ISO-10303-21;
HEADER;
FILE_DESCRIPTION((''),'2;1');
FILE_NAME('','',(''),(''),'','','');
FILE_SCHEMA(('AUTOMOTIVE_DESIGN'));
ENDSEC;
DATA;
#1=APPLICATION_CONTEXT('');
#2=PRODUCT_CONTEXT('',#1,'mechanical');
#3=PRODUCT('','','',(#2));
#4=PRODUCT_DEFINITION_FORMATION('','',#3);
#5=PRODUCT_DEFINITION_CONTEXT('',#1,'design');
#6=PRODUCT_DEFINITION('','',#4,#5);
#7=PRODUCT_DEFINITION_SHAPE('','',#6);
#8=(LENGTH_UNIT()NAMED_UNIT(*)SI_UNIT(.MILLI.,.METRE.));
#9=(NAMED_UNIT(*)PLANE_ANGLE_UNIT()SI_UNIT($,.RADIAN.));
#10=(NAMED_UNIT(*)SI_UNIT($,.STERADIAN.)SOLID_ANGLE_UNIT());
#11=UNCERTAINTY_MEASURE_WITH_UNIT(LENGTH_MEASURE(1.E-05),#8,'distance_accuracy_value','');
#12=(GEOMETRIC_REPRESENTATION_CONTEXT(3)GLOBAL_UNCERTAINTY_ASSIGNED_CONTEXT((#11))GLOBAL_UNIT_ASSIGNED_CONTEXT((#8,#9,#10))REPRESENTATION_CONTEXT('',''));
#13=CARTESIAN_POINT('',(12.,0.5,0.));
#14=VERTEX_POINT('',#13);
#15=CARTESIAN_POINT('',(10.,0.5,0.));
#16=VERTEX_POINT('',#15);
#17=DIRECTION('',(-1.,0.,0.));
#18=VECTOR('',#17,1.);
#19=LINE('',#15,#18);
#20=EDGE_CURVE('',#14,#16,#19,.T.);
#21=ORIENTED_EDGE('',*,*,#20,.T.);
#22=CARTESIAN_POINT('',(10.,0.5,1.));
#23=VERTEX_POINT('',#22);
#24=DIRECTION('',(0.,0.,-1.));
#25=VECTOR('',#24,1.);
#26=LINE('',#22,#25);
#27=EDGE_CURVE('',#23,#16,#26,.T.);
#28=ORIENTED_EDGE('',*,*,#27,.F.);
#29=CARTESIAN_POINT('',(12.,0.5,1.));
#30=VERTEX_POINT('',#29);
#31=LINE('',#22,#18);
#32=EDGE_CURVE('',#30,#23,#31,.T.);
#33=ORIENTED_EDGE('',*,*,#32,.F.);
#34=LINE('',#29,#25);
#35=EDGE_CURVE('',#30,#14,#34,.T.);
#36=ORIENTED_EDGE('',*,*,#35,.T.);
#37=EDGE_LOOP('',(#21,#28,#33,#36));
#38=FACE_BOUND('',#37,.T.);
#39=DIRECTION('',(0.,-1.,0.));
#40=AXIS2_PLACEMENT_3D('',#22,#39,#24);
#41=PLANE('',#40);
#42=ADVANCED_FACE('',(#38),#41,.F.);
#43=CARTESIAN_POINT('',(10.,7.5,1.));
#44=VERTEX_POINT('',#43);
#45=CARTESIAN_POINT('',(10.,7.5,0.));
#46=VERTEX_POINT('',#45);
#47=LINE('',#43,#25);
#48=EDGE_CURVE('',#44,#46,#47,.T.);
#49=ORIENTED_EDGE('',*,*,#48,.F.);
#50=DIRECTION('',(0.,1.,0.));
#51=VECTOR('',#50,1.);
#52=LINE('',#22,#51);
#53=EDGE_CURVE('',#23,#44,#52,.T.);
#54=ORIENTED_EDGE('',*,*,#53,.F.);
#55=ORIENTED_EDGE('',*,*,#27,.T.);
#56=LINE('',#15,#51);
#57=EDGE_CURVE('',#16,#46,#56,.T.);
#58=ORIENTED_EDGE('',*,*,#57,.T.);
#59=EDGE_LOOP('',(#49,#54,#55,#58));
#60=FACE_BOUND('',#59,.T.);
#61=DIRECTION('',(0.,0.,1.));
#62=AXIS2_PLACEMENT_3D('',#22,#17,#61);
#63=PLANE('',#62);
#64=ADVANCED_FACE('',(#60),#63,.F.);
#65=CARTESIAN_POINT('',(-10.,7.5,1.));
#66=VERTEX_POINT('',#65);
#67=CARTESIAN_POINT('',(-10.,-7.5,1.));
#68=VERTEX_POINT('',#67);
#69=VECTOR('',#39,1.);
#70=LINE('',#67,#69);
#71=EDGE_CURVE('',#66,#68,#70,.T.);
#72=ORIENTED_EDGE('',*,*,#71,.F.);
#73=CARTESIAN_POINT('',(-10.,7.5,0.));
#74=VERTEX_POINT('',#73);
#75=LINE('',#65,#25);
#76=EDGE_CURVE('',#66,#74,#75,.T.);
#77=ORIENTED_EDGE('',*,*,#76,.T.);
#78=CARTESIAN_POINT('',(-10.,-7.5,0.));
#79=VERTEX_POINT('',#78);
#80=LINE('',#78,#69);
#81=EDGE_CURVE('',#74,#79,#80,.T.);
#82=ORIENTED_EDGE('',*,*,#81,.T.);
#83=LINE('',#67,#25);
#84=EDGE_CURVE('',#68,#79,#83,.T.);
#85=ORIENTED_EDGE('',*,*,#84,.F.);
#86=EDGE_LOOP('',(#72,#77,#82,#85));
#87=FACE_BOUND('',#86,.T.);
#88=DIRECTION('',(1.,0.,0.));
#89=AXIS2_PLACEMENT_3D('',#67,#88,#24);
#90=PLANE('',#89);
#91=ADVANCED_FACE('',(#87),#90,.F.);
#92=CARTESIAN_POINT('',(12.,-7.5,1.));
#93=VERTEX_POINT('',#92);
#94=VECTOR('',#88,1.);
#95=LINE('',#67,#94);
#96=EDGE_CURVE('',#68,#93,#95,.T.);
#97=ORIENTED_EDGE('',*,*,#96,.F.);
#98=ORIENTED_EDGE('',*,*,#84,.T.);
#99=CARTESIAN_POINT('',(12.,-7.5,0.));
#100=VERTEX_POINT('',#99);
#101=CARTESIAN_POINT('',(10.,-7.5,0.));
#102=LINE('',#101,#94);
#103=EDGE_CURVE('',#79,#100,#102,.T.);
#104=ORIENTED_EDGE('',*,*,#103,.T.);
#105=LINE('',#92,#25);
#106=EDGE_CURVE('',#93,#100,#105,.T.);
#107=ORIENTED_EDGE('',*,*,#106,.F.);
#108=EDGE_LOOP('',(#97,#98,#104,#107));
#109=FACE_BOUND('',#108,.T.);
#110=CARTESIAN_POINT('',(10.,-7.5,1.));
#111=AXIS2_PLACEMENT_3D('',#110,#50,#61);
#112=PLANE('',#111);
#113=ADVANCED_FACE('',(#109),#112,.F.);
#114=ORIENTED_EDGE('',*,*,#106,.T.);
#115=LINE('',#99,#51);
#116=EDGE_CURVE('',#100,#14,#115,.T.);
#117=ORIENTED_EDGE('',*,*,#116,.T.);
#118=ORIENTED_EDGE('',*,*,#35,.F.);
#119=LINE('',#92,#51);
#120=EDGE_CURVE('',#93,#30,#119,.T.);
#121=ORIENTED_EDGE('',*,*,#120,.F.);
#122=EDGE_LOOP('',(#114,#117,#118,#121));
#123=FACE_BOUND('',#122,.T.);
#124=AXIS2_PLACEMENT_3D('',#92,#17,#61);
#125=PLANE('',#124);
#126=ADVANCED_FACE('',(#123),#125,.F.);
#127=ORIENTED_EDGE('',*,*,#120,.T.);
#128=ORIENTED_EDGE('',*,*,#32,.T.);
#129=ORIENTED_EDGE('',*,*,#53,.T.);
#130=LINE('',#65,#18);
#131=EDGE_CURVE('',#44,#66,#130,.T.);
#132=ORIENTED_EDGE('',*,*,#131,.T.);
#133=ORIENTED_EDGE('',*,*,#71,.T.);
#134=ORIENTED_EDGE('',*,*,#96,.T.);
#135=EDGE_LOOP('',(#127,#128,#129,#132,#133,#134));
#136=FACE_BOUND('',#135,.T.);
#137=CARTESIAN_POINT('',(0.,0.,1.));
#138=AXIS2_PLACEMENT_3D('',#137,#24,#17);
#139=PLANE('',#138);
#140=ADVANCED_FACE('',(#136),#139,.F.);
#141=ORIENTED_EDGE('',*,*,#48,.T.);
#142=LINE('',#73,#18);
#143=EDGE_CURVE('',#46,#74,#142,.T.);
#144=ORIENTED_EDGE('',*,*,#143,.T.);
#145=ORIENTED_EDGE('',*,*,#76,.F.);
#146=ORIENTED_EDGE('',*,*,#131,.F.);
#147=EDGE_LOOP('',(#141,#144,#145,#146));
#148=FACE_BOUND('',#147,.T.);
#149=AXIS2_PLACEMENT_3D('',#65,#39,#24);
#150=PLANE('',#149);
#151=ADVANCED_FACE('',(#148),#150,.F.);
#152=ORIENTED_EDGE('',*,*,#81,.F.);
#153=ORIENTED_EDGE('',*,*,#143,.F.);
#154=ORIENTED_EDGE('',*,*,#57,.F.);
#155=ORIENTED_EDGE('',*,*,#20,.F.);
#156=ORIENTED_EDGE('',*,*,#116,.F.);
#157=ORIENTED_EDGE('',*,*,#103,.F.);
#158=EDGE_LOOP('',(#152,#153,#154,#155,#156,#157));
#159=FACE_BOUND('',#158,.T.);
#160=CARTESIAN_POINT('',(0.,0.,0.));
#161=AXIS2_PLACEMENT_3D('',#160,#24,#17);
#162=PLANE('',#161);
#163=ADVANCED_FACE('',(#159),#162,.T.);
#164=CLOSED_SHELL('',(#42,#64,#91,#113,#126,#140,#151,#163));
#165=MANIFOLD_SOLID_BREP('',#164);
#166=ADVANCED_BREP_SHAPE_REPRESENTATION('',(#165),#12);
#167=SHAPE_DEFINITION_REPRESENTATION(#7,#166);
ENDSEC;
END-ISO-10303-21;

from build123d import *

# Parameters (mm, degrees)
BOSS_EXTRUDE1_DEPTH = 1


with BuildPart() as part:
    # Sketch1 → Boss-Extrude1 (new body)
    with BuildSketch(Plane.XY):
        Polygon((-10, -7.5), (10, -7.5), (12, -7.5), (12, 0.5), (10, 0.5), (10, 7.5), (-10, 7.5), align=None)
    extrude(amount=BOSS_EXTRUDE1_DEPTH)


solid = part.part
